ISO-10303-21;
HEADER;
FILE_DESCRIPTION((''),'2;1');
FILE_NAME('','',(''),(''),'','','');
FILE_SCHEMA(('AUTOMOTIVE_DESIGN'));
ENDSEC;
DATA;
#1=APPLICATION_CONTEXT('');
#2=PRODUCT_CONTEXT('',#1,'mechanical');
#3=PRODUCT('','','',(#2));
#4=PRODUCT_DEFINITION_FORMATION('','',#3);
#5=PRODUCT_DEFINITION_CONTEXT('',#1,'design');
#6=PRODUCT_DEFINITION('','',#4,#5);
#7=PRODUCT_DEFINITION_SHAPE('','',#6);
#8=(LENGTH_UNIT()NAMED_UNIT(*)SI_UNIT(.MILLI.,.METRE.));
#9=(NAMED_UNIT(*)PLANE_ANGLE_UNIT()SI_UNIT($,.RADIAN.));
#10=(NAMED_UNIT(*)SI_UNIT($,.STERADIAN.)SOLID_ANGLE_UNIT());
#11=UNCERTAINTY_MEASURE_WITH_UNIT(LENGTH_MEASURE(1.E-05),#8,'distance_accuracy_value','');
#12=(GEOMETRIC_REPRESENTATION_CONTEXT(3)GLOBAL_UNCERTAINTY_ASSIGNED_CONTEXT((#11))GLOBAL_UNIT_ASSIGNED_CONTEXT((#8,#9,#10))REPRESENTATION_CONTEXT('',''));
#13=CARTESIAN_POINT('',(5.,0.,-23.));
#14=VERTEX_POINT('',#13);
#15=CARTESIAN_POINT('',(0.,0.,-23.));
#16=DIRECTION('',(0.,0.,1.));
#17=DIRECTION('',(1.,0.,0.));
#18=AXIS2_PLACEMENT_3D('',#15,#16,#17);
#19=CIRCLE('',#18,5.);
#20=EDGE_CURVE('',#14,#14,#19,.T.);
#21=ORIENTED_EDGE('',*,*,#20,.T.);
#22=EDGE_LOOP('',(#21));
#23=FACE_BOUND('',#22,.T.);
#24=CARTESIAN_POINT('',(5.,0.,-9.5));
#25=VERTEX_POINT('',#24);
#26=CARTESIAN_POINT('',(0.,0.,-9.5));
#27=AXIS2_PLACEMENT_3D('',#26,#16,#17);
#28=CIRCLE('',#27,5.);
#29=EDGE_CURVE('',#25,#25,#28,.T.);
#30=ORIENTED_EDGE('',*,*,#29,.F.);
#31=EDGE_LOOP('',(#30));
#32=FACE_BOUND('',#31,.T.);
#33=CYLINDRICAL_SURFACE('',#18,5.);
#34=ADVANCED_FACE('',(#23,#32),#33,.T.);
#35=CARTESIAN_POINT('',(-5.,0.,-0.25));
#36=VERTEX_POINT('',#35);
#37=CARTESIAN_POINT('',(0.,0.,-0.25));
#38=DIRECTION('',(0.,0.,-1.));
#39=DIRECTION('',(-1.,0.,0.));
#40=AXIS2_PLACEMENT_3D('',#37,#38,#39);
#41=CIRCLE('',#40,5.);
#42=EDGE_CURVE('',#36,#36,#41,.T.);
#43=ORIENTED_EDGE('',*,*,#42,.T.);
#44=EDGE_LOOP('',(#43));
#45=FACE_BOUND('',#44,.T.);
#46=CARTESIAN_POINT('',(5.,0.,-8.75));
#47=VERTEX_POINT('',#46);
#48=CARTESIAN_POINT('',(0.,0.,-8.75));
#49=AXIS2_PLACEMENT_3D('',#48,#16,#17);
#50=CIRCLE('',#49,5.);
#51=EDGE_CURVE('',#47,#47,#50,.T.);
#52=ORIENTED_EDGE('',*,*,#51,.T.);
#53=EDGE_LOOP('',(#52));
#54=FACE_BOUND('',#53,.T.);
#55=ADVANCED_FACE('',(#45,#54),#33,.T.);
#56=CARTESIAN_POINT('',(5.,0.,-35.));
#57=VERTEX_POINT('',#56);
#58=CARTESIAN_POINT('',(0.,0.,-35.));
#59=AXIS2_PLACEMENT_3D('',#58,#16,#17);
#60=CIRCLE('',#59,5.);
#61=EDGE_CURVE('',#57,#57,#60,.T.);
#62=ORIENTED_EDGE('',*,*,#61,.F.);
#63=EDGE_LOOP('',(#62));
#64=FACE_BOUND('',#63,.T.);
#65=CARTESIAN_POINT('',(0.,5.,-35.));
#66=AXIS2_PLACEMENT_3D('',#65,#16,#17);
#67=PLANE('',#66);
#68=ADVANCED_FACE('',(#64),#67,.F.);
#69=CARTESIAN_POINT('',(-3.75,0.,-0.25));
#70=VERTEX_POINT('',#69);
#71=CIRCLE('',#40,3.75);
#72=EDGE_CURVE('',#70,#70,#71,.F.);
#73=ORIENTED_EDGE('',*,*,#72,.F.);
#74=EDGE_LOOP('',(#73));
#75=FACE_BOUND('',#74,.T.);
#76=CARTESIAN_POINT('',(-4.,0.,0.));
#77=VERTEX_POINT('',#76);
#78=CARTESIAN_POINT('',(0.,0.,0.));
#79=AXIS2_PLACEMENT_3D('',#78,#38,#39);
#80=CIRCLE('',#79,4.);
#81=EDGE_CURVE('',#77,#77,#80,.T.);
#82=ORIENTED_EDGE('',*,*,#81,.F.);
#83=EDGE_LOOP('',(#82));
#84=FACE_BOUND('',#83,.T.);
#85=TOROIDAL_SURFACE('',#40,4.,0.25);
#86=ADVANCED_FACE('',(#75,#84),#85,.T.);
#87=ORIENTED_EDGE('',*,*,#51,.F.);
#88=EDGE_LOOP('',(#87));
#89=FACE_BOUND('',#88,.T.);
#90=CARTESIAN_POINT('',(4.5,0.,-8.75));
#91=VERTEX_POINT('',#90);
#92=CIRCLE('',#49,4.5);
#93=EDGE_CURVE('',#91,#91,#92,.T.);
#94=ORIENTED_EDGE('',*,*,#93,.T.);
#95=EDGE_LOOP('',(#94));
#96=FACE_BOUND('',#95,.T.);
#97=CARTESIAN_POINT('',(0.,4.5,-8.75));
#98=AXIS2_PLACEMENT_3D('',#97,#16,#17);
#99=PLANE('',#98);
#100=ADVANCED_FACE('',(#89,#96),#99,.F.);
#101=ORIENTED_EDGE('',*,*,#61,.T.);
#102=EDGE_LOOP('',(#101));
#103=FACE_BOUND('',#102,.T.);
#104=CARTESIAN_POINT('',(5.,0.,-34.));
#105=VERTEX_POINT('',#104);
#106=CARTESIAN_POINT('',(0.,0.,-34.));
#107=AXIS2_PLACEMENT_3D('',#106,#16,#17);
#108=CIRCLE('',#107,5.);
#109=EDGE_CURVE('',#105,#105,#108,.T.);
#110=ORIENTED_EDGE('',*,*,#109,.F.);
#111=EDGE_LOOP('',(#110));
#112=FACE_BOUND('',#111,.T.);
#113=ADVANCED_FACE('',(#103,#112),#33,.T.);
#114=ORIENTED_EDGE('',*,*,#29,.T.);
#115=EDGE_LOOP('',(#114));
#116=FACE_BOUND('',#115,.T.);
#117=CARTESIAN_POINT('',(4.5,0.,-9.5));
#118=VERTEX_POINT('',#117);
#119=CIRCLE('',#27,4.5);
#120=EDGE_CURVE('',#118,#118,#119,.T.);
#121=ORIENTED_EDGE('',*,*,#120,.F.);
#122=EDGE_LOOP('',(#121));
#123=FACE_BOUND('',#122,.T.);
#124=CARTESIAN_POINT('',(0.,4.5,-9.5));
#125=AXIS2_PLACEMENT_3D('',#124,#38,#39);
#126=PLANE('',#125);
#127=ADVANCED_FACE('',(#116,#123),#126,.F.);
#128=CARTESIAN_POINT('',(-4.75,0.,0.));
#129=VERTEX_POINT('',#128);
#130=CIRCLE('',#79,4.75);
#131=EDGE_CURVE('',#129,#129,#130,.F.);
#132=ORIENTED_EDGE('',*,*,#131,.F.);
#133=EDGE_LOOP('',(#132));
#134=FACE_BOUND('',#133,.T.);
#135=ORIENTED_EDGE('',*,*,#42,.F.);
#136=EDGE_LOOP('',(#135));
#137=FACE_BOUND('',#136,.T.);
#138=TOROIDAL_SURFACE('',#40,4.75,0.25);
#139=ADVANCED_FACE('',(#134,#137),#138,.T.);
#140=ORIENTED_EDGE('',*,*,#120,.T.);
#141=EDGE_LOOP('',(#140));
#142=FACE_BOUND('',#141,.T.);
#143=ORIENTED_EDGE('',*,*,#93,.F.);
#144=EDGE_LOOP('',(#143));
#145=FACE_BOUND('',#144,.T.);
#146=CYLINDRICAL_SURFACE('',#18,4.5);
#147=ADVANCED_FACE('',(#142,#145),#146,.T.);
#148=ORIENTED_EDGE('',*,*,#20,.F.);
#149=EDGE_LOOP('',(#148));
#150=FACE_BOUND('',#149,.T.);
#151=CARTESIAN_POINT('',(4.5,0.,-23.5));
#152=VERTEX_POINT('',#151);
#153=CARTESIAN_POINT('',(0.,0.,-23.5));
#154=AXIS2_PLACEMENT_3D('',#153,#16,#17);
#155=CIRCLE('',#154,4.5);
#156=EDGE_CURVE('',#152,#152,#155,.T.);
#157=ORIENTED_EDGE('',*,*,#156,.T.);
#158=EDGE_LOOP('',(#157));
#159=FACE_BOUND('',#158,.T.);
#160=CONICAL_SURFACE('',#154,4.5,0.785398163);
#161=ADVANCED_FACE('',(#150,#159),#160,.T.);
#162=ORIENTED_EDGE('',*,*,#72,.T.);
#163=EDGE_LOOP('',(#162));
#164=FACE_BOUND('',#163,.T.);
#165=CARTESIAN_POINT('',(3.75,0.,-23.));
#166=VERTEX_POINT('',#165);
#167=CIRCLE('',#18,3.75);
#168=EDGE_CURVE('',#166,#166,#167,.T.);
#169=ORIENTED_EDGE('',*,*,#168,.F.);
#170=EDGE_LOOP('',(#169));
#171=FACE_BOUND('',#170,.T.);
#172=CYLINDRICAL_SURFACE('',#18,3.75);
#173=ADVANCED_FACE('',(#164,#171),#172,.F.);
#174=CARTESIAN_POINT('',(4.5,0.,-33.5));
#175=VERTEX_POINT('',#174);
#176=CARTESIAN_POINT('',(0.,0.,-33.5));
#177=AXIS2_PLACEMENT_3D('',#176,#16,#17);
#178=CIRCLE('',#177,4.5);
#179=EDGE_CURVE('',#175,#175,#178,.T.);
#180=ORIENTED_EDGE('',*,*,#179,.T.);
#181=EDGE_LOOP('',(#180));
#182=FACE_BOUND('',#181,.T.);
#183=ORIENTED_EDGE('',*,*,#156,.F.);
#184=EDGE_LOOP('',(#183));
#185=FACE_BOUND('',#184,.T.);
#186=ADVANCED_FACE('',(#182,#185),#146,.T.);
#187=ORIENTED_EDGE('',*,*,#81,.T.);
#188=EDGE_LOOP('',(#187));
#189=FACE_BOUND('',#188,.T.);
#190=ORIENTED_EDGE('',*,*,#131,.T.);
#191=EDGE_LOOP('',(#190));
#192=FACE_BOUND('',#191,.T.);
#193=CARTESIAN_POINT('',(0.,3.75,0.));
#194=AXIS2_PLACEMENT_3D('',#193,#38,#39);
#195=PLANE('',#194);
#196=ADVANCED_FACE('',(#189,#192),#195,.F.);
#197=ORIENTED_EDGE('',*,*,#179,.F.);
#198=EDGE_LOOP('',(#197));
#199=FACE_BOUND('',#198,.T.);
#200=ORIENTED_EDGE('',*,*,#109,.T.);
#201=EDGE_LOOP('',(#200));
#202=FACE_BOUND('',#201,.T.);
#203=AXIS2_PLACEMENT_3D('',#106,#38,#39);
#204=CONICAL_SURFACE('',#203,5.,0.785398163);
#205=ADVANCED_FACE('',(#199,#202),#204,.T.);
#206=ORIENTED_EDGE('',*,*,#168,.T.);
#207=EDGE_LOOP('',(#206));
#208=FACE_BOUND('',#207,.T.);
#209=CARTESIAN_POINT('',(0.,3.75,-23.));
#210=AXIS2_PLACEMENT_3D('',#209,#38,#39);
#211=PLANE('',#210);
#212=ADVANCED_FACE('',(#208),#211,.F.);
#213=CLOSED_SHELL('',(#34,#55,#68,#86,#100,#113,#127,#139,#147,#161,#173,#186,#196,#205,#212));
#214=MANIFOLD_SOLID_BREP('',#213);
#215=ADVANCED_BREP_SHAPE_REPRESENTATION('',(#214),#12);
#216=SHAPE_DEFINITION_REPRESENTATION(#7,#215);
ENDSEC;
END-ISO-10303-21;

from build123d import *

# Parameters (mm, degrees)
FILLET_1_R = 0.25


with BuildPart() as part:
    # Эскиз1 → Повернуть1 (revolve)
    with BuildSketch(Plane(origin=(0, 0, 0), x_dir=(0, 0, -1), z_dir=(1, 0, 0)), mode=Mode.PRIVATE) as revolve_1_sk:
        Polygon((23, 0), (35, 0), (35, 5), (34, 5), (33.5, 4.5), (23.5, 4.5), (23, 5), (9.5, 5), (9.5, 4.5), (8.75, 4.5), (8.75, 5), (0, 5), (0, 3.75), (23, 3.75), align=None)
    revolve(revolve_1_sk.sketch.rotate(Axis((0, 0, -23), (0, 0, -1)), 90), axis=Axis((0, 0, -23), (0, 0, -1)))

    # Скругление1
    fillet_1_edges = [part.edges().sort_by_distance(p)[0] for p in [
        (-3.75, 0, 0),
        (-5, 0, 0),
    ]]
    fillet(fillet_1_edges, radius=FILLET_1_R)


solid = part.part
